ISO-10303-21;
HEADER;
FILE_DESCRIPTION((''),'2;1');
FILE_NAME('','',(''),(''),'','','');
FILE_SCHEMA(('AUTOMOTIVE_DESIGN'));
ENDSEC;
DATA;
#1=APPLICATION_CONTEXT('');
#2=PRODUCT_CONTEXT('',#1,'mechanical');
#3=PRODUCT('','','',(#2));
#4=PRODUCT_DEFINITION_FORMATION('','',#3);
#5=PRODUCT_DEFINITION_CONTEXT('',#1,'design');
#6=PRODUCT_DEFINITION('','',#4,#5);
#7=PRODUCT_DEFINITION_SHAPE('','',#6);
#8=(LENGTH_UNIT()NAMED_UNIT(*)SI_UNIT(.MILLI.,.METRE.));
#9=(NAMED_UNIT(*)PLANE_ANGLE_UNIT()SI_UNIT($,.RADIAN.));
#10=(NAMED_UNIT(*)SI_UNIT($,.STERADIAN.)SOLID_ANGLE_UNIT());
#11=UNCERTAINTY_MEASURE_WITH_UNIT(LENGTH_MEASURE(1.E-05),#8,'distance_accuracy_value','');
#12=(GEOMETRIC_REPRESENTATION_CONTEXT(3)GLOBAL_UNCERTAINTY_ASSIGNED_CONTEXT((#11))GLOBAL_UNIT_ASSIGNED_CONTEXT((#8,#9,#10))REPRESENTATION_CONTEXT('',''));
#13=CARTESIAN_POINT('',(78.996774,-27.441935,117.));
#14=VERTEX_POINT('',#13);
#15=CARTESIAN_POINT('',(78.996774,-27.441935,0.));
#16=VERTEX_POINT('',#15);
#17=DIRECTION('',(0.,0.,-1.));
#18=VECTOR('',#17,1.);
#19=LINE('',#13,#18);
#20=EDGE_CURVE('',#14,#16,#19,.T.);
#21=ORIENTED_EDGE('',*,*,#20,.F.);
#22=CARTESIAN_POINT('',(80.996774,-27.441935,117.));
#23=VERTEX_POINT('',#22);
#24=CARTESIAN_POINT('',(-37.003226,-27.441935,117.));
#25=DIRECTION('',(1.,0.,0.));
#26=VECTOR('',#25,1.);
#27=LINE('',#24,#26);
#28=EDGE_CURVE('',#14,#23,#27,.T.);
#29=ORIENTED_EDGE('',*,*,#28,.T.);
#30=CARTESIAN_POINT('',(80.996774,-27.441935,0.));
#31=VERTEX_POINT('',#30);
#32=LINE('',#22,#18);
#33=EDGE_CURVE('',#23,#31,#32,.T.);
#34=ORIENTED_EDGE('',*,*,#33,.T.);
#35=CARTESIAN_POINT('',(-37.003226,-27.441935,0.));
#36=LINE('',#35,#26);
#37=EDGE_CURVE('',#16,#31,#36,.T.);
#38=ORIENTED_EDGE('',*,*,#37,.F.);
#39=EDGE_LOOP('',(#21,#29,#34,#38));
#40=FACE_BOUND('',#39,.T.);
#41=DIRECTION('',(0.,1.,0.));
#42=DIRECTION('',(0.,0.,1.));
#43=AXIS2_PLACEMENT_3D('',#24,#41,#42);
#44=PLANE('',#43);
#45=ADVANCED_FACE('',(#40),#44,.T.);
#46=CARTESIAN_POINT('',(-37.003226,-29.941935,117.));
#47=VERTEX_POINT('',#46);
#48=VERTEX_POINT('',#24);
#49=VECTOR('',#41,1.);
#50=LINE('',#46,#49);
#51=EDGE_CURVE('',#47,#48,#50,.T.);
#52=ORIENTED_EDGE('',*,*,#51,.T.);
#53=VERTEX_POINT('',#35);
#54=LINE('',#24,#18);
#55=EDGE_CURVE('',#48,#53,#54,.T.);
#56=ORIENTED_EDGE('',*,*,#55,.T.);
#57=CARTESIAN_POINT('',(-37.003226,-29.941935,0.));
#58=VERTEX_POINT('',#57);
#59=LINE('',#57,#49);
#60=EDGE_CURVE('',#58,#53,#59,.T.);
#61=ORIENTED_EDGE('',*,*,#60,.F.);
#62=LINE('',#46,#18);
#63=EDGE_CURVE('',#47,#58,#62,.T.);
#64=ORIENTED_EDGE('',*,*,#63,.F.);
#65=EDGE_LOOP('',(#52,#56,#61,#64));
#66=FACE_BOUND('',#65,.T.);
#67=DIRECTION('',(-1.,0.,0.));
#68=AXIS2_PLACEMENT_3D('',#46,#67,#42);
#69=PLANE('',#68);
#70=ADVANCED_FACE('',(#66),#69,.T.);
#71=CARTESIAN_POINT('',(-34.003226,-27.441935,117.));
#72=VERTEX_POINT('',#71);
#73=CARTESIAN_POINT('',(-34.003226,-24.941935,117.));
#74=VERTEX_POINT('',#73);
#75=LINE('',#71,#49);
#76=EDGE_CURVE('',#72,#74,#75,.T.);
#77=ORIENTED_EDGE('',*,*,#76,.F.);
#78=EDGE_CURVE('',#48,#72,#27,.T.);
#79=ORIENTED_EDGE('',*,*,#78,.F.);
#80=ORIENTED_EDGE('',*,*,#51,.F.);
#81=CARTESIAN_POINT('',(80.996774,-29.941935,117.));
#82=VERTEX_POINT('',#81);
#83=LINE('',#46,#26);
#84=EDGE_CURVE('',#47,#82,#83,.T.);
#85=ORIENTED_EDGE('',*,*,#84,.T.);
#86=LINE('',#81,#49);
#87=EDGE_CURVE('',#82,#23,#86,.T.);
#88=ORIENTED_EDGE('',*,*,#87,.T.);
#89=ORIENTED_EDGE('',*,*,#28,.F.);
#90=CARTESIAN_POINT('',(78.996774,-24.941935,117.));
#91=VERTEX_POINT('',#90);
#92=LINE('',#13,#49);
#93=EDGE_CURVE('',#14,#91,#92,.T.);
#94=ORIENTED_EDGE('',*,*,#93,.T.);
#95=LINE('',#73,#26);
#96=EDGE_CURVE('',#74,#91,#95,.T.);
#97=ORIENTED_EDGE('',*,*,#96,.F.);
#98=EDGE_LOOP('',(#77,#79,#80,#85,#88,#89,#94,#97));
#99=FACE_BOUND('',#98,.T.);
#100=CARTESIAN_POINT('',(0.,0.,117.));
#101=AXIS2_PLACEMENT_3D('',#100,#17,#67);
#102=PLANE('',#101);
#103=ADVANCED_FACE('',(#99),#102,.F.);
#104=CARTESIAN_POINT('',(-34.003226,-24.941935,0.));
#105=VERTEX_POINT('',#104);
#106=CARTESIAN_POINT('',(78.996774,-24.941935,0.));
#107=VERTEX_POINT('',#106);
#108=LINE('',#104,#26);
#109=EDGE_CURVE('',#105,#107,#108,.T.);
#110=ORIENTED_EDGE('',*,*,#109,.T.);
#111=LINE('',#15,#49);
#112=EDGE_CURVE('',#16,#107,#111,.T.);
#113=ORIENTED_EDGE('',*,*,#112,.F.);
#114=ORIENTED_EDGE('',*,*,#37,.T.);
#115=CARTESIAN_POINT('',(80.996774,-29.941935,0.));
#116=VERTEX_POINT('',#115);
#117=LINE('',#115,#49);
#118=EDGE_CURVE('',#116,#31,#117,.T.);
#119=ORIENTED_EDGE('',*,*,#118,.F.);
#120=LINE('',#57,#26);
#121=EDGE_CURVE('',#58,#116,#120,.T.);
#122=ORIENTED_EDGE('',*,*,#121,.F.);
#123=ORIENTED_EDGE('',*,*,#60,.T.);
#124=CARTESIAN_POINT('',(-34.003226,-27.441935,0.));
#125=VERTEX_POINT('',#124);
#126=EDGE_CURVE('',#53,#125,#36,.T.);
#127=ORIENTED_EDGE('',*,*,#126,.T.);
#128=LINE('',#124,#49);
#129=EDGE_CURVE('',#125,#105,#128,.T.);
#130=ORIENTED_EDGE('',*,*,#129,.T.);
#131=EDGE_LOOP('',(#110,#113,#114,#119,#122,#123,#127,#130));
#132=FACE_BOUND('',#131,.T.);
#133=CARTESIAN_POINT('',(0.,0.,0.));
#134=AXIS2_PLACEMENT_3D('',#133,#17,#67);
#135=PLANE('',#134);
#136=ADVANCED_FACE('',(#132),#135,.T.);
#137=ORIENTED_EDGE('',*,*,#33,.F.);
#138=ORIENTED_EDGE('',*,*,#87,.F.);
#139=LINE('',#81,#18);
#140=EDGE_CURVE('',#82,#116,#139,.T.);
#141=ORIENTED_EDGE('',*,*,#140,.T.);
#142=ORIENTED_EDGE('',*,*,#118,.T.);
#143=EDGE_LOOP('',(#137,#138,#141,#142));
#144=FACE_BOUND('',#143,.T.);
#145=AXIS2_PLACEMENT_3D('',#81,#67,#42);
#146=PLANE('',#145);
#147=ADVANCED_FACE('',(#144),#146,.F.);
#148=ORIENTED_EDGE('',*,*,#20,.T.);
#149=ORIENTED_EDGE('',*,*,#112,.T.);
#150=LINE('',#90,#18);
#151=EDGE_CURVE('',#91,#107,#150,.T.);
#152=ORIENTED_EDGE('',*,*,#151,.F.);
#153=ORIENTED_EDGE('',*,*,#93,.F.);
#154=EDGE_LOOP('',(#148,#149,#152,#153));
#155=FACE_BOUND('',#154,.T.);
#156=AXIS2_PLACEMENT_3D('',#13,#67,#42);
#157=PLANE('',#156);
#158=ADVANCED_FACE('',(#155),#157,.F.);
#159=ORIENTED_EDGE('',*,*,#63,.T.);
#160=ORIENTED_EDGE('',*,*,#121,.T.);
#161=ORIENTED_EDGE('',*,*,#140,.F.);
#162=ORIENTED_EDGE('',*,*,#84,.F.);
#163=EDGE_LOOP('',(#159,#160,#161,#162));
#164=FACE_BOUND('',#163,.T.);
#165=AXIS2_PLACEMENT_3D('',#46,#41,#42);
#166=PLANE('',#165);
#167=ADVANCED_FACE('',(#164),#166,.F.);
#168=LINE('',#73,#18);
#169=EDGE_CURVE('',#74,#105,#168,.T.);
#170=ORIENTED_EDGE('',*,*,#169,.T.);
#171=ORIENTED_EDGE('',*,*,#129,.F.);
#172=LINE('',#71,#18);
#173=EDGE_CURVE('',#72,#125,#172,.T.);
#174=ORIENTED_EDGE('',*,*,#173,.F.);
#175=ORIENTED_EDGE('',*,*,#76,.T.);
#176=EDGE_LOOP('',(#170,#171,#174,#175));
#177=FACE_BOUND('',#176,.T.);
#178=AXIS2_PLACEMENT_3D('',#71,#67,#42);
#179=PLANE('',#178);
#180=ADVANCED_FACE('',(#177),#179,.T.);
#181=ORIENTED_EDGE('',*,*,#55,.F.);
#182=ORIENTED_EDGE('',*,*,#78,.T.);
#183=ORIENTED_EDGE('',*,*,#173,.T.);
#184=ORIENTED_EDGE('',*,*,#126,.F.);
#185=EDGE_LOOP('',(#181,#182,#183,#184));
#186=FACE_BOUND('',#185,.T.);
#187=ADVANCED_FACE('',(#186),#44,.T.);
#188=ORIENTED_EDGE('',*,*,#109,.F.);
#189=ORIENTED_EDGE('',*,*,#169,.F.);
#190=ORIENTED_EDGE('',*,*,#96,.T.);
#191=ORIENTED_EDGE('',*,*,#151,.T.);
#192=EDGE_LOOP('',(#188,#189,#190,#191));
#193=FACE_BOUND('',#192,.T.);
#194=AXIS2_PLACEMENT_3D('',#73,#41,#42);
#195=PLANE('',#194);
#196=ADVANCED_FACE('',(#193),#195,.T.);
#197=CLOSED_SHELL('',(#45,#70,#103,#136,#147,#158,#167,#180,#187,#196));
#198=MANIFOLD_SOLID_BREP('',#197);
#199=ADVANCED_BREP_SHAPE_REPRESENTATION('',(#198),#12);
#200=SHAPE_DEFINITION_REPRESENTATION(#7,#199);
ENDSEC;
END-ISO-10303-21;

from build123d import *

# Parameters (mm, degrees)
SKETCH_1_W      = 118
SKETCH_1_H      = 2.5
SKETCH_1_W_2    = 113
EXTRUDE_1_DEPTH = 117


with BuildPart() as part:
    # 草图1 → 凸台-拉伸1 (new body)
    with BuildSketch(Plane.XY):
        with Locations((21.996774194, -28.691935484)):
            Rectangle(SKETCH_1_W, SKETCH_1_H)
        with Locations((22.496774194, -26.191935484)):
            Rectangle(SKETCH_1_W_2, SKETCH_1_H)
    extrude(amount=EXTRUDE_1_DEPTH)


solid = part.part
